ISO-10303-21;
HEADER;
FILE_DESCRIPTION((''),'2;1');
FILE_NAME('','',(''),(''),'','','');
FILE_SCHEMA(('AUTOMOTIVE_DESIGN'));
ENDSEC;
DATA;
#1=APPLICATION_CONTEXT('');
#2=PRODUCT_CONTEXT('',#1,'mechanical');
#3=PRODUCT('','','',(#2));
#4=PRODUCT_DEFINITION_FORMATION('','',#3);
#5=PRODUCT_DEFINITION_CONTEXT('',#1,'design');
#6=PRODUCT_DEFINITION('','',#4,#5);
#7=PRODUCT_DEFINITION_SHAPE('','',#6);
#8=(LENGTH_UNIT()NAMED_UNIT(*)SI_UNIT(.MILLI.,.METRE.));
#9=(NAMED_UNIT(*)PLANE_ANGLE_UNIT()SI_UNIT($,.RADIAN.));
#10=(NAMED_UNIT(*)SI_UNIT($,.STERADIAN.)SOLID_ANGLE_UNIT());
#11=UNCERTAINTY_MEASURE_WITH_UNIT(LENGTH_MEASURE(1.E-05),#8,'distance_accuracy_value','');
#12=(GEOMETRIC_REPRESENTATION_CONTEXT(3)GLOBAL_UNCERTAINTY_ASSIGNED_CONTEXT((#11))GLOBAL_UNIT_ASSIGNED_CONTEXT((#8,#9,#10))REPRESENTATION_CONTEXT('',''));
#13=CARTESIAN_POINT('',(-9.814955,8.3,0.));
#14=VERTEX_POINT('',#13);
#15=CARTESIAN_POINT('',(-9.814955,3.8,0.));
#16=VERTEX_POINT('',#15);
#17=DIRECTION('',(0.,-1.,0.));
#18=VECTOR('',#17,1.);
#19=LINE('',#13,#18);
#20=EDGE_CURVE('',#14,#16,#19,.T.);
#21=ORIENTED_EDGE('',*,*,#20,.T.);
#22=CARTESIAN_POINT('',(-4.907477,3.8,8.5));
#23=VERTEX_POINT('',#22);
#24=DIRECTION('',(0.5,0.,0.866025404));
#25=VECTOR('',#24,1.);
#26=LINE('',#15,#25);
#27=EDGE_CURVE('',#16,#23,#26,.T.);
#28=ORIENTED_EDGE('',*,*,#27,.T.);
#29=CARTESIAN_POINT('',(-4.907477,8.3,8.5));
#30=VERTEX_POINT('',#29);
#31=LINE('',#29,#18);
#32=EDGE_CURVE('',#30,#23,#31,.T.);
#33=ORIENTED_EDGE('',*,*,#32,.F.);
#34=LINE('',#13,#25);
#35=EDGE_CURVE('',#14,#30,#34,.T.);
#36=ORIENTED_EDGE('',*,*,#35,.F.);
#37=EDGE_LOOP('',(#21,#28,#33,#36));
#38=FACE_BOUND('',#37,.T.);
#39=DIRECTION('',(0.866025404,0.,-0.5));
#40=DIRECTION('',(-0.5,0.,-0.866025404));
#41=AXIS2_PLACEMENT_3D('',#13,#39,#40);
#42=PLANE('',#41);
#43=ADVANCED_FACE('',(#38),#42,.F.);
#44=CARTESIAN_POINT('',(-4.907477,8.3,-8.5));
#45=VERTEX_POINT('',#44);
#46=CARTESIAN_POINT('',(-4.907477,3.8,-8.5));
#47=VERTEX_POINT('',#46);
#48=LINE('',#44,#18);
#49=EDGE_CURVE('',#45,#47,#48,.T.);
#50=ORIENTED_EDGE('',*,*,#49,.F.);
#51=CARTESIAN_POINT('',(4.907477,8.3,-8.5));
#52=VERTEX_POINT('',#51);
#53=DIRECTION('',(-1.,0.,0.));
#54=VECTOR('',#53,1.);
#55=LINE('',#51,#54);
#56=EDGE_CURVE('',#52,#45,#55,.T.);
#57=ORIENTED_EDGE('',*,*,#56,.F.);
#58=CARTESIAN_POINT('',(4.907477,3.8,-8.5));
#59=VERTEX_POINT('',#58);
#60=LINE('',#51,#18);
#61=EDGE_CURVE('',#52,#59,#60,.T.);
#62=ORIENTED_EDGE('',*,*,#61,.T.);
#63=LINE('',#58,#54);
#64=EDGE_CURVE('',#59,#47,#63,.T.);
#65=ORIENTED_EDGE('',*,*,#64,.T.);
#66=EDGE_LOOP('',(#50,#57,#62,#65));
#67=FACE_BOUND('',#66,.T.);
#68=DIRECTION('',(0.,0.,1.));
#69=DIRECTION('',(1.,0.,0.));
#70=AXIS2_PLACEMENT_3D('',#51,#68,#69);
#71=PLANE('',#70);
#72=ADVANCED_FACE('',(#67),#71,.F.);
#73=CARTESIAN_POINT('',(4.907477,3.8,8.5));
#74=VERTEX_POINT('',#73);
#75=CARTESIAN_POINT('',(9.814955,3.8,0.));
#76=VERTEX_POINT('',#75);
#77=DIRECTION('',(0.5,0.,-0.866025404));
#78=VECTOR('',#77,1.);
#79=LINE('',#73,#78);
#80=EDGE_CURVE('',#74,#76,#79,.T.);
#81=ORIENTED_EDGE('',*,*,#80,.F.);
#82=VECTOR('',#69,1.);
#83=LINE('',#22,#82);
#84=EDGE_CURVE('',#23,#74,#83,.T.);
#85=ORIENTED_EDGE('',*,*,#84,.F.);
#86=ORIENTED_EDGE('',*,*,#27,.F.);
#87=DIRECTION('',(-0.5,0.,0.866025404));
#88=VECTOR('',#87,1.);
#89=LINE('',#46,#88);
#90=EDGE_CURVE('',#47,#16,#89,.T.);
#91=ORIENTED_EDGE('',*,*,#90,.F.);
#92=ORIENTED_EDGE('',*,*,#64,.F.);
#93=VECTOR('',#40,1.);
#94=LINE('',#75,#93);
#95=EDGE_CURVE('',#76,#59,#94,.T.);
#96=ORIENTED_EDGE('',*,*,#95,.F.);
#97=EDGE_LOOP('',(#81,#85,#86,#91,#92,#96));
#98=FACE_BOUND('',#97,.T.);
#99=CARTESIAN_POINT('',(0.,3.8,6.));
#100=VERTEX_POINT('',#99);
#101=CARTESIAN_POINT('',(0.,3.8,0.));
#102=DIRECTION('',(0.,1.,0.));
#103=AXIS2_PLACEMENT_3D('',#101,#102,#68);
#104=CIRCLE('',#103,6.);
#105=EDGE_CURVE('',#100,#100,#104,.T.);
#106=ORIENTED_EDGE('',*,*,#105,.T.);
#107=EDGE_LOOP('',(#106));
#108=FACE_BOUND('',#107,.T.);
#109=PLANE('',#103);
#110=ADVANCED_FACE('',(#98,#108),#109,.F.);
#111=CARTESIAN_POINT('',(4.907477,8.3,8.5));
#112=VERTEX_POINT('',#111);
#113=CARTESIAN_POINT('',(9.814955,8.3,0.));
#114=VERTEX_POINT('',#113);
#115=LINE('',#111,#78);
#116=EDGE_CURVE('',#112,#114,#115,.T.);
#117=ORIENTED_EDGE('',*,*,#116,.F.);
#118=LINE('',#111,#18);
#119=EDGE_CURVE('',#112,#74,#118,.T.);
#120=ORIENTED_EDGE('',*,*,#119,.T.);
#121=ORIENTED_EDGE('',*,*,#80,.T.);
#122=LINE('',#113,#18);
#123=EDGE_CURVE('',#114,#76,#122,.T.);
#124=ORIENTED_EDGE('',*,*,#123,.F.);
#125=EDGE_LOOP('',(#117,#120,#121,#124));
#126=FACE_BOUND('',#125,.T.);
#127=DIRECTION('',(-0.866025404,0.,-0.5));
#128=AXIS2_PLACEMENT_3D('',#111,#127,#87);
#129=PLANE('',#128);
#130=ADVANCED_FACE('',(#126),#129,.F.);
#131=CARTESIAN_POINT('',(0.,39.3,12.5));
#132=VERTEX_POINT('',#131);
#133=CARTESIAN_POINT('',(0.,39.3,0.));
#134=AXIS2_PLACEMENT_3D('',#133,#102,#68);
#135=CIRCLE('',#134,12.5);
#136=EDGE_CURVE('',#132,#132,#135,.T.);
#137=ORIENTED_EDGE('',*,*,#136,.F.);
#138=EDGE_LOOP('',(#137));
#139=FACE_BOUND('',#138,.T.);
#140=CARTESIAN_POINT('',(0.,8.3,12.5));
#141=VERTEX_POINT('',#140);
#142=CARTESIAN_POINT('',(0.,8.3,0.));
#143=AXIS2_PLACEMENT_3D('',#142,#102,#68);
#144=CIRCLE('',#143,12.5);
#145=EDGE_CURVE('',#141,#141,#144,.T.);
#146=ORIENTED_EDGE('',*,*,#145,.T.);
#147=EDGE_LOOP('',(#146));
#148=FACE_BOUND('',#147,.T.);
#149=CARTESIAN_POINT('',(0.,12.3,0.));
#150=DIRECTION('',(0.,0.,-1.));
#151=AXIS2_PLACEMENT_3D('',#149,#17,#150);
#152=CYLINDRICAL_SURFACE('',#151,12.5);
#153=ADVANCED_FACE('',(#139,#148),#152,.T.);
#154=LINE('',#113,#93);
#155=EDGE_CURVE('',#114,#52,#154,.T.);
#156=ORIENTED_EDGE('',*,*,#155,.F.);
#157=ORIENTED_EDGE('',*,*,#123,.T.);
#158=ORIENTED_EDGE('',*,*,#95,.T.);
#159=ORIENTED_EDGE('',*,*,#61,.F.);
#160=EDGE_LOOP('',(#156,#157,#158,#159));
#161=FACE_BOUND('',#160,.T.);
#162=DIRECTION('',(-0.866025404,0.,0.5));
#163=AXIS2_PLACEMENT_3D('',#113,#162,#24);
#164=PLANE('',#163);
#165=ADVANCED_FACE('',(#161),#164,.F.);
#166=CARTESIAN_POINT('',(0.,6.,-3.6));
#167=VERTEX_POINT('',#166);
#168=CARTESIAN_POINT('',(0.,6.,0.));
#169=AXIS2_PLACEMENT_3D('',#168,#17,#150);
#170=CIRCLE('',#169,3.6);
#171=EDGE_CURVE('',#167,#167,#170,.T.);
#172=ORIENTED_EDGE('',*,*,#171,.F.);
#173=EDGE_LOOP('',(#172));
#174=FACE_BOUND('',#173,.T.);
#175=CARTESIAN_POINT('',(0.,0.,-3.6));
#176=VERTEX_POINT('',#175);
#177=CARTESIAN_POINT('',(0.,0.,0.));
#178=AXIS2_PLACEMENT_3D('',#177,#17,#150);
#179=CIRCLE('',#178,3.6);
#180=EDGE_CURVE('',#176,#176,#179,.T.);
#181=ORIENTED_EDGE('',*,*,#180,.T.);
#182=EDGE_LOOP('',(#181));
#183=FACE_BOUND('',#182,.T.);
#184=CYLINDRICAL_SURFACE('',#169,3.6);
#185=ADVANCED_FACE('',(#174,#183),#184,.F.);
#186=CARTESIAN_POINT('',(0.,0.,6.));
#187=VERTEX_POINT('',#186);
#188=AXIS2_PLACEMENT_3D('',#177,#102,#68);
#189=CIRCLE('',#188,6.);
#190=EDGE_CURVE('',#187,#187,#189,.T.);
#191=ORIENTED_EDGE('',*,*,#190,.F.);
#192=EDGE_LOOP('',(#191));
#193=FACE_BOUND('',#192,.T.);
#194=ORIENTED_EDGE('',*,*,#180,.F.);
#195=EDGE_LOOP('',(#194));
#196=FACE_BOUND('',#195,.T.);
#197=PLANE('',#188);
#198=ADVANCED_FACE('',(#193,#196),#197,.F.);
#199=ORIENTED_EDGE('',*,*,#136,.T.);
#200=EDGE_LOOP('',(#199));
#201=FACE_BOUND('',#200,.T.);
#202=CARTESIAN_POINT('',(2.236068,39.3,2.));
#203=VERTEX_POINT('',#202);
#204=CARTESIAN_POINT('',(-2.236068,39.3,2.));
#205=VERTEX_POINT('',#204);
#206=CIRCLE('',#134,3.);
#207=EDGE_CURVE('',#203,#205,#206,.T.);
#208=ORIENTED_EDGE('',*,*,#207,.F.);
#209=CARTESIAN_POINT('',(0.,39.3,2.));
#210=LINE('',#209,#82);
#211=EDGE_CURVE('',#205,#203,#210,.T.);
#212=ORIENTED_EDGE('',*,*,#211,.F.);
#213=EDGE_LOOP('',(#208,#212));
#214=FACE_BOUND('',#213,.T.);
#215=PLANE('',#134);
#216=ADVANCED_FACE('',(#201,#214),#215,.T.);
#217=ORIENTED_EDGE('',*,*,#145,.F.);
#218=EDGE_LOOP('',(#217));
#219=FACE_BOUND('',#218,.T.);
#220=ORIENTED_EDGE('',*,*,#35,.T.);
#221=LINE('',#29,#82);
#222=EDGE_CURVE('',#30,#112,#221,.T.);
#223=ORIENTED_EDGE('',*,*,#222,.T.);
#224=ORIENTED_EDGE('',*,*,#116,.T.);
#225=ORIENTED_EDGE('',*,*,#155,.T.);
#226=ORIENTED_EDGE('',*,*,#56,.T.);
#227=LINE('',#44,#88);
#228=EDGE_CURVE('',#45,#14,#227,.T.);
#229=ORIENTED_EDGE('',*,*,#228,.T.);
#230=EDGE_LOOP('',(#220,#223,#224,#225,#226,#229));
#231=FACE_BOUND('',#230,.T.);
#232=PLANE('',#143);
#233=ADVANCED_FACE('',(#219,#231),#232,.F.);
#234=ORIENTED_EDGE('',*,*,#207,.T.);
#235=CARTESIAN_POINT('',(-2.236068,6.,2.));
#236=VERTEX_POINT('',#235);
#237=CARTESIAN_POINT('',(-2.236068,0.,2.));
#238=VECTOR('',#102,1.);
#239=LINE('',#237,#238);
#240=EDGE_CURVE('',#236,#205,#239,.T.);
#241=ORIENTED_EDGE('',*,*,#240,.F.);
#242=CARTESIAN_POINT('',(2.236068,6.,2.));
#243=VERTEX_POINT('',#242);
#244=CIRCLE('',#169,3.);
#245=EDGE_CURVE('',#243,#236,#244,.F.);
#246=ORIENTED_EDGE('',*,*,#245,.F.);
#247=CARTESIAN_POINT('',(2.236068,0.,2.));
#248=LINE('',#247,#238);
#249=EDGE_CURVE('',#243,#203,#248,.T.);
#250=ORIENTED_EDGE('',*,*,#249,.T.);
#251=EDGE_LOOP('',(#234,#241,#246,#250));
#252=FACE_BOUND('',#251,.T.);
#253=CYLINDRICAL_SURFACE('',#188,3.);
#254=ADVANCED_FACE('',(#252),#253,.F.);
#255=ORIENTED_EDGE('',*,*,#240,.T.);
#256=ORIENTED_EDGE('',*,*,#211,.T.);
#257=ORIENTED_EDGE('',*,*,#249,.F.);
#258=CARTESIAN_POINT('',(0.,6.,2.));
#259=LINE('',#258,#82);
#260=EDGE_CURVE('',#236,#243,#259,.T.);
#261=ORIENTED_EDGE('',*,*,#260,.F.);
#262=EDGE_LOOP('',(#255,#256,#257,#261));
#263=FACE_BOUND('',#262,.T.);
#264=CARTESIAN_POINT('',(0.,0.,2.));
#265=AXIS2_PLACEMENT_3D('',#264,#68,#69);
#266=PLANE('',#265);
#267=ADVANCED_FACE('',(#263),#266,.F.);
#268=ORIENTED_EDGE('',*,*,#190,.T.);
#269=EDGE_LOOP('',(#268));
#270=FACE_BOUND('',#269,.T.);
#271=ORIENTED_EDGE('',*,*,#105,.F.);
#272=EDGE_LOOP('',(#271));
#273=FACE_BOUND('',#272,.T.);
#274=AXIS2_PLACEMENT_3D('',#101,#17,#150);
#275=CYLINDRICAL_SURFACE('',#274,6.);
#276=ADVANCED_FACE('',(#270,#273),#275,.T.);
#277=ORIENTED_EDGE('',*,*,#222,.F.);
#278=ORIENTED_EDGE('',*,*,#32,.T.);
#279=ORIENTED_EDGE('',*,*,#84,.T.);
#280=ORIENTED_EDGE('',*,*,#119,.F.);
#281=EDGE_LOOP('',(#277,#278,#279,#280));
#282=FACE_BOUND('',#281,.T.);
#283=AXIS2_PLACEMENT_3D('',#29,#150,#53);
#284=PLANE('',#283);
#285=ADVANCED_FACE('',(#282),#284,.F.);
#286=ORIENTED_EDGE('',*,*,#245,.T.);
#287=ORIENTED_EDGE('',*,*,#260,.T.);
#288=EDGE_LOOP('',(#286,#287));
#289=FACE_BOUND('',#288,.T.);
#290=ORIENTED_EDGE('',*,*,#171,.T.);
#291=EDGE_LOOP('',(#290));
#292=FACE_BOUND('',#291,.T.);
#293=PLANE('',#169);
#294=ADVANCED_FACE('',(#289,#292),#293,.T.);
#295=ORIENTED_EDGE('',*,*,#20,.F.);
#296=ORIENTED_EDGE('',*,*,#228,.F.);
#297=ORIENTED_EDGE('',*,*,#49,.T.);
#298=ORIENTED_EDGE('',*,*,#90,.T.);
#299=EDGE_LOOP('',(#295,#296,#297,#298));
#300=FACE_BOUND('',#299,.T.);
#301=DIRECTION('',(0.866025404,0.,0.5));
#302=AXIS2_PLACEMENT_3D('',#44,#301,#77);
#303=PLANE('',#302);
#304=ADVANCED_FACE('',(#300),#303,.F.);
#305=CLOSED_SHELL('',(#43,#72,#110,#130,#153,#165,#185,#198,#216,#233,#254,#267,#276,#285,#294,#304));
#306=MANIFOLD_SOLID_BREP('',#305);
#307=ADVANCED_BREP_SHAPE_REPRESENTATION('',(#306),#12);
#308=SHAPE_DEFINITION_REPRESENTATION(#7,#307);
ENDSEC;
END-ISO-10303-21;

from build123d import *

# Parameters (mm, degrees)
SKETCH1_R           = 6
BOSS_EXTRUDE1_DEPTH = 3.8
BOSS_EXTRUDE2_DEPTH = 4.5
SKETCH3_R           = 12.5
BOSS_EXTRUDE3_DEPTH = 4
SKETCH4_R           = 12.5
BOSS_EXTRUDE4_DEPTH = 27
CUT_EXTRUDE1_DEPTH  = 40.3
SKETCH6_R           = 3.6
CUT_EXTRUDE2_DEPTH  = 6


with BuildPart() as part:
    # Sketch1 → Boss-Extrude1 (new body)
    with BuildSketch(Plane(origin=(0, 0, 0), x_dir=(1, 0, 0), z_dir=(0, 1, 0))):
        Circle(SKETCH1_R)
    extrude(amount=BOSS_EXTRUDE1_DEPTH)

    # Sketch2 → Boss-Extrude2 (add)
    with BuildSketch(Plane(origin=(0, 3.8, 0), x_dir=(1, 0, 0), z_dir=(0, 1, 0))):
        Polygon((9.814954576, 0), (4.907477288, 8.5), (-4.907477288, 8.5), (-9.814954576, 0), (-4.907477288, -8.5), (4.907477288, -8.5), align=None)
    extrude(amount=BOSS_EXTRUDE2_DEPTH)

    # Sketch3 → Boss-Extrude3 (add)
    with BuildSketch(Plane(origin=(0, 8.3, 0), x_dir=(1, 0, 0), z_dir=(0, 1, 0))):
        Circle(SKETCH3_R)
    extrude(amount=BOSS_EXTRUDE3_DEPTH)

    # Sketch4 → Boss-Extrude4 (add)
    with BuildSketch(Plane(origin=(0, 12.3, 0), x_dir=(1, 0, 0), z_dir=(0, 1, 0))):
        Circle(SKETCH4_R)
    extrude(amount=BOSS_EXTRUDE4_DEPTH)

    # Sketch5 → Cut-Extrude1 (cut, through all)
    with BuildSketch(Plane(origin=(0, 39.3, 0), x_dir=(1, 0, 0), z_dir=(0, 1, 0))):
        with BuildLine():
            ThreePointArc((3, 0), (-1.070466269, 2.802517077), (-2.236067977, -2))
            Line((-2.236067977, -2), (2.236067977, -2))
            ThreePointArc((2.236067977, -2), (2.802517077, -1.070466269), (3, 0))
        make_face()
    extrude(amount=-CUT_EXTRUDE1_DEPTH, mode=Mode.SUBTRACT)

    # Sketch6 → Cut-Extrude2 (cut)
    with BuildSketch(Plane.XZ):
        Circle(SKETCH6_R)
    extrude(amount=-CUT_EXTRUDE2_DEPTH, mode=Mode.SUBTRACT)


solid = part.part
